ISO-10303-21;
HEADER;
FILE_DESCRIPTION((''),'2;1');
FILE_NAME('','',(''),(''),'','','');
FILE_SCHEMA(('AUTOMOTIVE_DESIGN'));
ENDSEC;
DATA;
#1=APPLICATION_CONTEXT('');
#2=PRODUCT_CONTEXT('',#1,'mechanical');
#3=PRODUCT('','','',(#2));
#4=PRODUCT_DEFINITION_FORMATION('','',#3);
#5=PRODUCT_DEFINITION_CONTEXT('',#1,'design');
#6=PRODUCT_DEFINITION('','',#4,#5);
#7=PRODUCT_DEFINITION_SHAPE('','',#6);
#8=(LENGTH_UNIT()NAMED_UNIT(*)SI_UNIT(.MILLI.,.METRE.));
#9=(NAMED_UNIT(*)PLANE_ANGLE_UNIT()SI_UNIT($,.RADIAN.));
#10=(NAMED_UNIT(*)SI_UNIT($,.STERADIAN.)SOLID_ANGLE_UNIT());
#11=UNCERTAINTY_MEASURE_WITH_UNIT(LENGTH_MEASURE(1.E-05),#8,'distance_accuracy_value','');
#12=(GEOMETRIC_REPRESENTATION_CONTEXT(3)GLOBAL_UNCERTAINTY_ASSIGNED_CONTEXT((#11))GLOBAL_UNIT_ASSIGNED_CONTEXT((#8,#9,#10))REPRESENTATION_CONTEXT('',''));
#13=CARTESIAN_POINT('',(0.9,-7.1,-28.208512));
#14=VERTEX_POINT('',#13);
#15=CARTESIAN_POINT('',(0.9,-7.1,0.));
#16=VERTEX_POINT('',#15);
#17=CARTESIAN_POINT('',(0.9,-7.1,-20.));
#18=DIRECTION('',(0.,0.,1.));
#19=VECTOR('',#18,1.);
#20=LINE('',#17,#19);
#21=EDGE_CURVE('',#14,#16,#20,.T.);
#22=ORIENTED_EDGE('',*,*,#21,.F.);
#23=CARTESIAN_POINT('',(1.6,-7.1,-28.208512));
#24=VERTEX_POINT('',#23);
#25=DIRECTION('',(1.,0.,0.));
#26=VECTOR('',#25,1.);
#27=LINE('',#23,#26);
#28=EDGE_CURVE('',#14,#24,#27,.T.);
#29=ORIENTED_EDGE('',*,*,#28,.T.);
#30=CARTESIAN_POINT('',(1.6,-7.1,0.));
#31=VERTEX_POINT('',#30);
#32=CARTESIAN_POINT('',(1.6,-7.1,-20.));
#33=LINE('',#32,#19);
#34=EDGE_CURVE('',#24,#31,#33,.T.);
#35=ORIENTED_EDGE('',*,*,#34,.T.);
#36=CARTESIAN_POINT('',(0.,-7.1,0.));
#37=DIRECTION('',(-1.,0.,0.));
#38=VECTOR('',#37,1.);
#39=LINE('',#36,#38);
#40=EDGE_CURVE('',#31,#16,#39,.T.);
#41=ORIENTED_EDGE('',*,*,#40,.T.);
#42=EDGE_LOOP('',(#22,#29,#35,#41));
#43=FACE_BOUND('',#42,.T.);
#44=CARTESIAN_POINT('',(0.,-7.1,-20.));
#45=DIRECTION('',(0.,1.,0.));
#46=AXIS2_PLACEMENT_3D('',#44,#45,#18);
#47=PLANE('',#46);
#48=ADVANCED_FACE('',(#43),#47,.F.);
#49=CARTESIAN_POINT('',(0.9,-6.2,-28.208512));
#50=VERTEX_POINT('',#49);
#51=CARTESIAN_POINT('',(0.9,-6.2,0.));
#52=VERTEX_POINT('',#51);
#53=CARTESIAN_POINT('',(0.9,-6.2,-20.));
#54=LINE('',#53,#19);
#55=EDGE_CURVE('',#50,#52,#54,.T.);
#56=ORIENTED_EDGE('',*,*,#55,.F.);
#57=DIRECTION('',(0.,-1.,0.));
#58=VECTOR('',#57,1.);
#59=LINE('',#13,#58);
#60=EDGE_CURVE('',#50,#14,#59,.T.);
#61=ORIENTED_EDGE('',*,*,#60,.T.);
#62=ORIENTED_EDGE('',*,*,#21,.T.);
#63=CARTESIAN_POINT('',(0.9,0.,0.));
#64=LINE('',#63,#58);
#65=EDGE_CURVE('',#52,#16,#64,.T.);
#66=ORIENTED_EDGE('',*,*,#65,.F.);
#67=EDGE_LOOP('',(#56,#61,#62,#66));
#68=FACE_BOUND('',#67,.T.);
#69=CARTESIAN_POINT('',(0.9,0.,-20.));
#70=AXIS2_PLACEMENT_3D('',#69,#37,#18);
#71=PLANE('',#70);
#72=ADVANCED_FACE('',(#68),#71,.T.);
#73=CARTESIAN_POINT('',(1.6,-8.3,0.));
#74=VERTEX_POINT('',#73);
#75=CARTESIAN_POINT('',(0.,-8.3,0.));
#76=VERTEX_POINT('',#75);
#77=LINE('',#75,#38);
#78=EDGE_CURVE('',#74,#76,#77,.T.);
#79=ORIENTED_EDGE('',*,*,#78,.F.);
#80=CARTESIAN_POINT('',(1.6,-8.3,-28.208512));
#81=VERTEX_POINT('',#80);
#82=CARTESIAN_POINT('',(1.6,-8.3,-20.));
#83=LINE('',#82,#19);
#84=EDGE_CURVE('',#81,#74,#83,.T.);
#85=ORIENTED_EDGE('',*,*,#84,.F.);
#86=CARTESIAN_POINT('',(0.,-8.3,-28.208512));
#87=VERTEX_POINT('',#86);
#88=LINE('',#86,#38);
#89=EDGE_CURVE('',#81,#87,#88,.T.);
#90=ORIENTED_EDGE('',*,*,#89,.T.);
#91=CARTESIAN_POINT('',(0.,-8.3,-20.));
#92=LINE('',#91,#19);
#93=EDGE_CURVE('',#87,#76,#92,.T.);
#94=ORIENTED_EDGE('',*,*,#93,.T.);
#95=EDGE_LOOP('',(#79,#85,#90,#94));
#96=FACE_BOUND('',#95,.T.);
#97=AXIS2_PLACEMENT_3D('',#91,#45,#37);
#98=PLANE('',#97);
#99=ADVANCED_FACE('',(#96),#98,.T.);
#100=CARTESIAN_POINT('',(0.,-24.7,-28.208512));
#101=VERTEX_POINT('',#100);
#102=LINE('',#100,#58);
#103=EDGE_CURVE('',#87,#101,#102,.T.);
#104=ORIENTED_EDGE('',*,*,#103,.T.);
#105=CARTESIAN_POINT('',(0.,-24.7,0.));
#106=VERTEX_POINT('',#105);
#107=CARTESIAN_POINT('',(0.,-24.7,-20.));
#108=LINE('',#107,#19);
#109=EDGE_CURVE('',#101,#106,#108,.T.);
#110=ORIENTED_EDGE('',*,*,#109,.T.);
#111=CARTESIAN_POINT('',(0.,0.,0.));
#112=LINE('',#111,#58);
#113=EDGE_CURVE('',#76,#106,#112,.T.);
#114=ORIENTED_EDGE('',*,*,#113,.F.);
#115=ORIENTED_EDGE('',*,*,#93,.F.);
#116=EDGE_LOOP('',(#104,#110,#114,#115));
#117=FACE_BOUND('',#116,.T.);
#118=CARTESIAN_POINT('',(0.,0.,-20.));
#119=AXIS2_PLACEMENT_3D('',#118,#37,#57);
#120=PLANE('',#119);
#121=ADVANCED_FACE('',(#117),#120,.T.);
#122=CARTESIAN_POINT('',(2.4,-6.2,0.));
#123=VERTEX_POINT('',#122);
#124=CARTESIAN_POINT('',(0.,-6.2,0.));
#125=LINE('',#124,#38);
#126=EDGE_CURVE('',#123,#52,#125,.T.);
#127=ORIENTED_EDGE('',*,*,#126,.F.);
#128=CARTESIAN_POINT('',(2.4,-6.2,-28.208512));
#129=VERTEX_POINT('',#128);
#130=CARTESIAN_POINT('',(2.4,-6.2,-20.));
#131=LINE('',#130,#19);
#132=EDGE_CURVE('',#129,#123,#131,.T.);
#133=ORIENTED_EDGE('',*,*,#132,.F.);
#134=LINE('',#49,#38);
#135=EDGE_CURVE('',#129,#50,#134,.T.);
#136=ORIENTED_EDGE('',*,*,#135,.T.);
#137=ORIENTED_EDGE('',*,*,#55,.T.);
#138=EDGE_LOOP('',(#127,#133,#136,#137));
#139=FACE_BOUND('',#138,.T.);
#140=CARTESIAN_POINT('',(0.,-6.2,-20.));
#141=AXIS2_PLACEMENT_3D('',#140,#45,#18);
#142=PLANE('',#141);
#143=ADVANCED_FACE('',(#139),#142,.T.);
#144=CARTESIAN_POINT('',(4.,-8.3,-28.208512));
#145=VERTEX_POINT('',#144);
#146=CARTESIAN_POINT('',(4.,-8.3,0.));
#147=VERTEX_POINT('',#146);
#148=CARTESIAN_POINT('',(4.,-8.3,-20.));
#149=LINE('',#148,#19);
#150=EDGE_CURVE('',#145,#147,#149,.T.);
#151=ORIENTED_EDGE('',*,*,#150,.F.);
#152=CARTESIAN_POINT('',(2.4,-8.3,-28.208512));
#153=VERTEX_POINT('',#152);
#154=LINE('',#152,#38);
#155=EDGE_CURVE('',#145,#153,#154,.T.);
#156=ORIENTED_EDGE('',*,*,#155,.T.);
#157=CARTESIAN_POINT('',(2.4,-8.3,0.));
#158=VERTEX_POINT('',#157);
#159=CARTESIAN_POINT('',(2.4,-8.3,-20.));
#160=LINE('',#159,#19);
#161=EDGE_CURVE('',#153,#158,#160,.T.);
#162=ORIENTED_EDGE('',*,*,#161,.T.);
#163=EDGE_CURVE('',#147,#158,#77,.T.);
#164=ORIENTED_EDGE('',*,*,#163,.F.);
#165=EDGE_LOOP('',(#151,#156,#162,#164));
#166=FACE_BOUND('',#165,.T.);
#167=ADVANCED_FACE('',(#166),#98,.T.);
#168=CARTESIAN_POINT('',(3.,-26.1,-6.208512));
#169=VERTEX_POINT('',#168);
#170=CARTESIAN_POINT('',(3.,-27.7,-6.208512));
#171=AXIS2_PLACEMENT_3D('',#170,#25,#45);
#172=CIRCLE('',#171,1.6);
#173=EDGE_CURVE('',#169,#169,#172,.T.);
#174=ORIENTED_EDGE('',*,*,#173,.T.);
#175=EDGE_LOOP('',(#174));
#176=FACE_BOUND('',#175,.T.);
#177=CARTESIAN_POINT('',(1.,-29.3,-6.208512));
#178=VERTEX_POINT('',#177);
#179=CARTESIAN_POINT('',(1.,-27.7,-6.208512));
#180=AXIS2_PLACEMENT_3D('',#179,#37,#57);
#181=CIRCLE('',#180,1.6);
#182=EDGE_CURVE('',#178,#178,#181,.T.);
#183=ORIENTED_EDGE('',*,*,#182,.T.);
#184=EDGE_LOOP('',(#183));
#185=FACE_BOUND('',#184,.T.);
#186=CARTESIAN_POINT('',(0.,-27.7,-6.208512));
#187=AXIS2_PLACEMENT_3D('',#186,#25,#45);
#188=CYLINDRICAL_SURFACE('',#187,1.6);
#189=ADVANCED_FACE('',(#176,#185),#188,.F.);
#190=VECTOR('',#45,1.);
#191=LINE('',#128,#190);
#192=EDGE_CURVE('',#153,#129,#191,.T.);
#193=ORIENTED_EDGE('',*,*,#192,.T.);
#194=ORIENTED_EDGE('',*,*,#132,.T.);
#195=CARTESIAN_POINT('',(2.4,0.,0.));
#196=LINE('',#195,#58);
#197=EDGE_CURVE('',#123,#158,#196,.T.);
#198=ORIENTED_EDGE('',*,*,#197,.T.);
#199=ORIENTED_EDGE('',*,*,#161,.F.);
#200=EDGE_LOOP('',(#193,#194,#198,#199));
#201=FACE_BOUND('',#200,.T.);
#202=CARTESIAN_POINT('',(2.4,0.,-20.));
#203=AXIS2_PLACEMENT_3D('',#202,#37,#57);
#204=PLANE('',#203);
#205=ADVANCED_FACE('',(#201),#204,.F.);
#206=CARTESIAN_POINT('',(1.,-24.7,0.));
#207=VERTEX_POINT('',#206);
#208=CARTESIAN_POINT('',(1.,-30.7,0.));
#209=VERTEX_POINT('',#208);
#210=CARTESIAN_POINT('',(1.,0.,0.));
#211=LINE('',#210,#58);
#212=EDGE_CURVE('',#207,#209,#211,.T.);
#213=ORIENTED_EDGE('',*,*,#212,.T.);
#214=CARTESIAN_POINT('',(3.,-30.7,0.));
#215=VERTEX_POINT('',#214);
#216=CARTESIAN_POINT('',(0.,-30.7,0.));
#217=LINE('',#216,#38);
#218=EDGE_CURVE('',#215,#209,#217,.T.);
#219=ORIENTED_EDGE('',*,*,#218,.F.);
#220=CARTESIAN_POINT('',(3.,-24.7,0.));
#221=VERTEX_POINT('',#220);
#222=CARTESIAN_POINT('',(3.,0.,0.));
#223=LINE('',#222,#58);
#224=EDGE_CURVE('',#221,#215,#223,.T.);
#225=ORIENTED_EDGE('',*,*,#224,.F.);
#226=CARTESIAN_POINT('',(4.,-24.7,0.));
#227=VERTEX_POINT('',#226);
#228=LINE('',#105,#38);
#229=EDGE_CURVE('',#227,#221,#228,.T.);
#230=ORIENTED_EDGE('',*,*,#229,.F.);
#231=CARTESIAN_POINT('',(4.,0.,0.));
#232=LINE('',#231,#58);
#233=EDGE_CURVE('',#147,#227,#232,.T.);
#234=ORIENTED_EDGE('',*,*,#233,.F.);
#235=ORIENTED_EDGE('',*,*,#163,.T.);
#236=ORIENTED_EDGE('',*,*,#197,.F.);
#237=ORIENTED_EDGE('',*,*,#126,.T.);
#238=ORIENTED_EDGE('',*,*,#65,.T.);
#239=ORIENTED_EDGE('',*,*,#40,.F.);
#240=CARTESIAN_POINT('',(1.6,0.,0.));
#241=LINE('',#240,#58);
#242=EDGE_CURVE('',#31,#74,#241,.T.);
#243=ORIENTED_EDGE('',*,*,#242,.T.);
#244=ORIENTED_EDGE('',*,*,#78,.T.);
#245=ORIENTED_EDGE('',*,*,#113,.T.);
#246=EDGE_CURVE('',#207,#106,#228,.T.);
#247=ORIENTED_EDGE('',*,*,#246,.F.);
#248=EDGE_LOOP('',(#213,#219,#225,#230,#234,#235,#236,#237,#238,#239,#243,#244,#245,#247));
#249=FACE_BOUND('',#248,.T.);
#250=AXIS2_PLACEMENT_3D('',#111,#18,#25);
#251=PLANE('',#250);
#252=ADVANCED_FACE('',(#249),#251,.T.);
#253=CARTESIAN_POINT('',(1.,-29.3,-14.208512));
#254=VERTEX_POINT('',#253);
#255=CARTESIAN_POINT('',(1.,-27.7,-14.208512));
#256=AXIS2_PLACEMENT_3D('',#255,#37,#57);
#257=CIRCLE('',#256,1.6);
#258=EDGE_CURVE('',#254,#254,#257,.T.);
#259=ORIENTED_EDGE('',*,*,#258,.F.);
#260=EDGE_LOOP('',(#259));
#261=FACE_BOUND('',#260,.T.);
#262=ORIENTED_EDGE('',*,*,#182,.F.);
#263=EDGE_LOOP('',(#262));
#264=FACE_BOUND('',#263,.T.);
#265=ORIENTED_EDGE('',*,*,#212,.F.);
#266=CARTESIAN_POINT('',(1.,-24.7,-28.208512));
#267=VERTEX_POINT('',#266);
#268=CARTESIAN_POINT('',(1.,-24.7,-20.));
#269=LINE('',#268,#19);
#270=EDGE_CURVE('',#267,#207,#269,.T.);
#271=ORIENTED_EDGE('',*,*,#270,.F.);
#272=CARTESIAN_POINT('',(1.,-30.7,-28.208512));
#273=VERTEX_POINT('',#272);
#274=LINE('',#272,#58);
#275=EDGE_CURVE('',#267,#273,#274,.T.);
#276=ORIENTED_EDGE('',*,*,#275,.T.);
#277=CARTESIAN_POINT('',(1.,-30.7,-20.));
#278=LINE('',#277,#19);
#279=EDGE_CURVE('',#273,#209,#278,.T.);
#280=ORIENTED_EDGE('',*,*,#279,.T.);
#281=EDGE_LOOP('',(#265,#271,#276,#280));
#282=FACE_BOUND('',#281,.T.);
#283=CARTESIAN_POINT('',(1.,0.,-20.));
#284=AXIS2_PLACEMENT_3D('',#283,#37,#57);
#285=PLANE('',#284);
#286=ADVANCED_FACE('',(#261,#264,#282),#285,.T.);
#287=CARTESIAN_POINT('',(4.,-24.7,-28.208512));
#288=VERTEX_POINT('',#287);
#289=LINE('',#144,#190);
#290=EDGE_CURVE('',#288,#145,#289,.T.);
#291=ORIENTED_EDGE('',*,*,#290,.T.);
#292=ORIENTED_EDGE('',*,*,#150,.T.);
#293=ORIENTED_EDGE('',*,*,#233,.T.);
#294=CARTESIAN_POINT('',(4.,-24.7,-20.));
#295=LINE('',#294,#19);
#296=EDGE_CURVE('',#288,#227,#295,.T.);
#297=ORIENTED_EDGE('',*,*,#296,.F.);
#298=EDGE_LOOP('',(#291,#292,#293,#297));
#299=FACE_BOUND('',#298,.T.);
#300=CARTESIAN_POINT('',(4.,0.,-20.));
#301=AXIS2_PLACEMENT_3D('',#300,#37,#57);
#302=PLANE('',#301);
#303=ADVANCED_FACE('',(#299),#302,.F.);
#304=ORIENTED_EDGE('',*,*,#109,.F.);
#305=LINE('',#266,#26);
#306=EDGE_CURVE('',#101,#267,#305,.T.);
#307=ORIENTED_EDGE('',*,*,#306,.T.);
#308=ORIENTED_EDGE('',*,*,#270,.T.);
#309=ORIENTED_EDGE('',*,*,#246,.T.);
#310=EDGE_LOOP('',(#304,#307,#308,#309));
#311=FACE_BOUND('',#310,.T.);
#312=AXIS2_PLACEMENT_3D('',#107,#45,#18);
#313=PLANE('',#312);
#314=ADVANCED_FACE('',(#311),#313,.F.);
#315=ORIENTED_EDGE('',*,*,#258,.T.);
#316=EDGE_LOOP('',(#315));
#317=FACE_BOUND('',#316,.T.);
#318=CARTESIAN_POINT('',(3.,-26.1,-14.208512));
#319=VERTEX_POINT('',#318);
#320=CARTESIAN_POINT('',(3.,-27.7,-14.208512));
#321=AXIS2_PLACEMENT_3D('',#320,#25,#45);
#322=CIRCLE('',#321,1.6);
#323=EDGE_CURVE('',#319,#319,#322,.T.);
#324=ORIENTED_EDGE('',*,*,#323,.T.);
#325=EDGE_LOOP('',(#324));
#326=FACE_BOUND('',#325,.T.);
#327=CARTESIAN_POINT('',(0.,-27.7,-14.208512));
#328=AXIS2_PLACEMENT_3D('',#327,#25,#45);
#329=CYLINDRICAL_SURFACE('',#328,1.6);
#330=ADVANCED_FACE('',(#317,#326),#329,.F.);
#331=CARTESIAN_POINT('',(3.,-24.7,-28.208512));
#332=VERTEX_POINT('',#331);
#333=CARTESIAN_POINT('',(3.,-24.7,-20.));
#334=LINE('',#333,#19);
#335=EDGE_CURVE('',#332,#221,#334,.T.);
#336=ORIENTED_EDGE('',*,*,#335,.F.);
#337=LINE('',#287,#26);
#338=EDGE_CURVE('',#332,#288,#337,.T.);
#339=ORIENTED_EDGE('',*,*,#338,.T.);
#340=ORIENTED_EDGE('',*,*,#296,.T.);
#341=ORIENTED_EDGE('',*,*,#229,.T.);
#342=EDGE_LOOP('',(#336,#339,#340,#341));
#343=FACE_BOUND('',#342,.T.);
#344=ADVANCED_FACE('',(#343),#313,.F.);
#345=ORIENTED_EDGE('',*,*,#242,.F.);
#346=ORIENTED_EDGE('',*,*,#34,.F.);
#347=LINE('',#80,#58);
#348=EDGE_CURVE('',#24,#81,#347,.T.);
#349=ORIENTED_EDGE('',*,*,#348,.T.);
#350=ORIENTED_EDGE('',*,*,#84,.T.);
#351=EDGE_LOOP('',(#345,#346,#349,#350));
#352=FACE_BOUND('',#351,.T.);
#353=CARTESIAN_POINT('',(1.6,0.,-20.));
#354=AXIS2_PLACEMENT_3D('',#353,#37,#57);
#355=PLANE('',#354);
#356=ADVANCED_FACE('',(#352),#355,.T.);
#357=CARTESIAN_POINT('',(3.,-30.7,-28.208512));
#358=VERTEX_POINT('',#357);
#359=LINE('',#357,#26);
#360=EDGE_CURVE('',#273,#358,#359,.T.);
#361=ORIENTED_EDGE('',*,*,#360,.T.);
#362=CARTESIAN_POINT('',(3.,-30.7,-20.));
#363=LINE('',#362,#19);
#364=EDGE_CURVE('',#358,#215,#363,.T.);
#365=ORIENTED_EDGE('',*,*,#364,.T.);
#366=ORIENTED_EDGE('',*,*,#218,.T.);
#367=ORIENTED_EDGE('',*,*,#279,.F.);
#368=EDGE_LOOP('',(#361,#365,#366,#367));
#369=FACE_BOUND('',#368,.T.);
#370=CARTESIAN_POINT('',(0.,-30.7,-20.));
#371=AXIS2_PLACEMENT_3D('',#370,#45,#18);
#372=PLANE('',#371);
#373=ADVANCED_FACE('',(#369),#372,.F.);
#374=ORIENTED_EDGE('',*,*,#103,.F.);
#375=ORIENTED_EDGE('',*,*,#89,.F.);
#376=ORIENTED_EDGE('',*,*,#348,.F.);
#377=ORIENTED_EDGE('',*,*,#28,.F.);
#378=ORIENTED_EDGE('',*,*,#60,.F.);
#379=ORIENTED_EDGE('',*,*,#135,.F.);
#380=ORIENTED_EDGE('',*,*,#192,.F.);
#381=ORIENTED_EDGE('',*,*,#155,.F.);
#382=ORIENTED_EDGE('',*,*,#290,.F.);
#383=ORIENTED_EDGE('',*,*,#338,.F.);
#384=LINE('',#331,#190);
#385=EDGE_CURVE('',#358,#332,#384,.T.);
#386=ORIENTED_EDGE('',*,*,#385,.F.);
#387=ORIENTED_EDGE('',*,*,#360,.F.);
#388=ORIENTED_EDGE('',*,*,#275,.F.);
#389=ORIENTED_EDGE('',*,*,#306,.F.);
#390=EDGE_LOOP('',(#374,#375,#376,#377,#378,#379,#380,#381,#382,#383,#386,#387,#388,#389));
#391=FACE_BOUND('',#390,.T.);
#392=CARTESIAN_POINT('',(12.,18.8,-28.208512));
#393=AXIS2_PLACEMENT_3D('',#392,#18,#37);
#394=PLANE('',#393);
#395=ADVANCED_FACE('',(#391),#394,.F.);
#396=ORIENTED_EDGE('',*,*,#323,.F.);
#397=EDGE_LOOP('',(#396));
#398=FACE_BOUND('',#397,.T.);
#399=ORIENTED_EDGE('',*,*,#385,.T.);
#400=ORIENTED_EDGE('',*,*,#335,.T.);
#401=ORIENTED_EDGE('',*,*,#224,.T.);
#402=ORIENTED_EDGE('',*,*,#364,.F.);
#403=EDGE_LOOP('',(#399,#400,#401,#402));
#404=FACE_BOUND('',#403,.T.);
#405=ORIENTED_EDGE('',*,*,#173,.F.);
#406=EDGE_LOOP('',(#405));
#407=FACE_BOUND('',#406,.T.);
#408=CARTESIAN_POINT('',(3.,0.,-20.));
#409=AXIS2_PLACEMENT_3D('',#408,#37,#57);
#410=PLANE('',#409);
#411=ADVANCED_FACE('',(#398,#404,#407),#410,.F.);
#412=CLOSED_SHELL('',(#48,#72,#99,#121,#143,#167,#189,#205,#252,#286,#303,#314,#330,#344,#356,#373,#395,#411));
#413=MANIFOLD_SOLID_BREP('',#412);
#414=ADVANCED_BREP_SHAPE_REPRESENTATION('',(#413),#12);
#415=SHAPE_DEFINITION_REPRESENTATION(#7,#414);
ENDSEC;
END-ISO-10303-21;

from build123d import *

# Parameters (mm, degrees)
SKETCH_1_W          = 0.8
SKETCH_1_H          = 2.1
SKETCH_1_W_2        = 2
SKETCH_1_H_2        = 6
SKETCH_1_W_3        = 0.7
SKETCH_1_H_3        = 0.9
EXTRUDE_1_DEPTH     = 20
SKETCH_3_R          = 1.6
CUT_EXTRUDE_1_DEPTH = 37.762616882
EXTRUDE_2_DEPTH     = 8.208511786


with BuildPart() as part:
    # 草图1 → 凸台-拉伸1 (new body)
    with BuildSketch(Plane.XY):
        with Locations((2, -7.25)):
            Rectangle(SKETCH_1_W, SKETCH_1_H)
        Polygon((4, -8.3), (2.4, -8.3), (1.6, -8.3), (0, -8.3), (0, -24.7), (1, -24.7), (3, -24.7), (4, -24.7), align=None)
        with Locations((2, -27.7)):
            Rectangle(SKETCH_1_W_2, SKETCH_1_H_2)
        with Locations((1.25, -6.65)):
            Rectangle(SKETCH_1_W_3, SKETCH_1_H_3)
    extrude(amount=-EXTRUDE_1_DEPTH)

    # 草图3 → 切除-拉伸1 (cut, through all)
    with BuildSketch(Plane(origin=(3, 0, 0), x_dir=(0, 0, -1), z_dir=(1, 0, 0))):
        with Locations(Location((6.208511786, -27.7, 0), (0, 0, 90))):
            Circle(SKETCH_3_R)
        with Locations(Location((14.208511786, -27.7, 0), (0, 0, 90))):
            Circle(SKETCH_3_R)
    extrude(amount=-CUT_EXTRUDE_1_DEPTH, mode=Mode.SUBTRACT)

    # 草图4 → 凸台-拉伸2 (add)
    with BuildSketch(Plane(origin=(0, 0, -20), x_dir=(-1, 0, 0), z_dir=(0, 0, -1))):
        Polygon((-0.9, -6.2), (-2.4, -6.2), (-2.4, -8.3), (-4, -8.3), (-4, -24.7), (-3, -24.7), (-3, -30.7), (-1, -30.7), (-1, -24.7), (0, -24.7), (0, -8.3), (-1.6, -8.3), (-1.6, -7.1), (-0.9, -7.1), align=None)
    extrude(amount=EXTRUDE_2_DEPTH)


solid = part.part
